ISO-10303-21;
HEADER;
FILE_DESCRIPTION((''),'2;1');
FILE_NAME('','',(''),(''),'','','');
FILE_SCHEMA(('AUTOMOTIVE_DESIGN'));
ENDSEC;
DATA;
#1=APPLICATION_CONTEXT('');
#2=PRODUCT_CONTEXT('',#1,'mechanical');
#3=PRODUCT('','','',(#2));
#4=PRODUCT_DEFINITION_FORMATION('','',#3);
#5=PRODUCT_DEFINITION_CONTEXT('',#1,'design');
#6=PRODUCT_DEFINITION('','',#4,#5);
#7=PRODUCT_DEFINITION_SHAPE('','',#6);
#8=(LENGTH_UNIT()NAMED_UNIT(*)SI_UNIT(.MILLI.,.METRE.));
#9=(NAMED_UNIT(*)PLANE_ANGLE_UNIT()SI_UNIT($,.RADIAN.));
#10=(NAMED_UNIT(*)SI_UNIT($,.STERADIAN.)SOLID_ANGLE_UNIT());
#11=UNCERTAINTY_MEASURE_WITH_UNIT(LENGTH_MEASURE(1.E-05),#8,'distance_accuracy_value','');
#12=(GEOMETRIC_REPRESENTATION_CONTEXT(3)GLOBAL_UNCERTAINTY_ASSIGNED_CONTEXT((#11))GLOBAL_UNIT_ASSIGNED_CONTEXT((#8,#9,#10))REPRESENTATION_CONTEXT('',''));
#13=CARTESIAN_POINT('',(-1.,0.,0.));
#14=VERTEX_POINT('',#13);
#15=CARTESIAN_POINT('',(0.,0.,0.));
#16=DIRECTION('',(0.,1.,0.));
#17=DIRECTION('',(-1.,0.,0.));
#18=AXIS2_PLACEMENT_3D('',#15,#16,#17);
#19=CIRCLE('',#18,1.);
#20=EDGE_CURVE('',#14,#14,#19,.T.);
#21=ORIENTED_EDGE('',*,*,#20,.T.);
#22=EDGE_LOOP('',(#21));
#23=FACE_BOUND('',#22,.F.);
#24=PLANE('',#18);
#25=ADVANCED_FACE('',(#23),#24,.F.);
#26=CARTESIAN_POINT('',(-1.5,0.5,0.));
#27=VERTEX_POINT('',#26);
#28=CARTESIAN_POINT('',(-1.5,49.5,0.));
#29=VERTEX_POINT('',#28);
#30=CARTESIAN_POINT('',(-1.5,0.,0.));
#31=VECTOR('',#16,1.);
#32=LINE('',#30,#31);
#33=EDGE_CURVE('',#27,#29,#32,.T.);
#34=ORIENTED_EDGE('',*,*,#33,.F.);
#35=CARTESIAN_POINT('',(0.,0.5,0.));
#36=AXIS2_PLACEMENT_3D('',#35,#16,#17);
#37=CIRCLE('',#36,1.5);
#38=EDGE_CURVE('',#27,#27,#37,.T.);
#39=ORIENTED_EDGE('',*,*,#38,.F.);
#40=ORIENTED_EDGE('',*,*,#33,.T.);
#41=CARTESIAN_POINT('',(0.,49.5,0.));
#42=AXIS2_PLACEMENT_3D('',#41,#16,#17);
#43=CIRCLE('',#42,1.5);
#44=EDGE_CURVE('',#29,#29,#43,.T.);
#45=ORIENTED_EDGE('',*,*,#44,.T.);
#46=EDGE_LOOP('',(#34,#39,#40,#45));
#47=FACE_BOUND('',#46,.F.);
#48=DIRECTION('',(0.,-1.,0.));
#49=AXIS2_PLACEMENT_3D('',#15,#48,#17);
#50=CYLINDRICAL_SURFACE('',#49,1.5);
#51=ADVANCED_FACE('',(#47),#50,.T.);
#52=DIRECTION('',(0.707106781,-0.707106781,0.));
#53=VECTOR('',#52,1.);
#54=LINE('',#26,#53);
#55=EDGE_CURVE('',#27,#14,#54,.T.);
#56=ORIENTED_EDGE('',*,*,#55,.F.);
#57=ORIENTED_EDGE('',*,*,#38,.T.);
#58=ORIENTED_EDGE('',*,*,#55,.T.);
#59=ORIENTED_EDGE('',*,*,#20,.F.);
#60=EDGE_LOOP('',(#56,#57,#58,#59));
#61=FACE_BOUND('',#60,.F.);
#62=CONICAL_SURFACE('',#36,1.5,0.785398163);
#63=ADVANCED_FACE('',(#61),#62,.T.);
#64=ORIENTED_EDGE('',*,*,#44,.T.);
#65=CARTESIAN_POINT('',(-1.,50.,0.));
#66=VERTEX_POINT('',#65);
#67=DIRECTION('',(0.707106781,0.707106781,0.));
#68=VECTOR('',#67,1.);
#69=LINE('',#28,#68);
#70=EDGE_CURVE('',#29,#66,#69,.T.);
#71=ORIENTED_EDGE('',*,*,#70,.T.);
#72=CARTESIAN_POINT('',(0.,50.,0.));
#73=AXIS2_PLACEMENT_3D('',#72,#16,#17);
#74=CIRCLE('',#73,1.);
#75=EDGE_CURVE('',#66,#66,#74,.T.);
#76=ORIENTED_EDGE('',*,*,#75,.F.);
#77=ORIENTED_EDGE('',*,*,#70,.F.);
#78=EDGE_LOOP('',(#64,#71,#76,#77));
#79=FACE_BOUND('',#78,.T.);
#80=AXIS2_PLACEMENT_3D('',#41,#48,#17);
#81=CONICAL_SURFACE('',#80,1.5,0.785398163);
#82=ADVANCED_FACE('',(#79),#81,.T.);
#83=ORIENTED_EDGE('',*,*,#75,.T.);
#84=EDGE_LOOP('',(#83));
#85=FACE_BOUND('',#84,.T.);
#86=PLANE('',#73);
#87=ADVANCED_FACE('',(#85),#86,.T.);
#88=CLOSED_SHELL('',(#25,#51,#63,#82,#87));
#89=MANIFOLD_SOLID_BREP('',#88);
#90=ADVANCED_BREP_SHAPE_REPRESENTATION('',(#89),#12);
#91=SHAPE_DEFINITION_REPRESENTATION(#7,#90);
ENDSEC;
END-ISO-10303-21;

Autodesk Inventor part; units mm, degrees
ref_plane "YZ Plane" through (0, 0, 0) normal (1, 0, 0) x (0, 1, 0)
ref_plane "XZ Plane" through (0, 0, 0) normal (0, 1, 0) x (-1, 0, 0)
ref_plane "XY Plane" through (0, 0, 0) normal (0, 0, 1) x (1, 0, 0)
sketch "Sketch1" plane through (0, 0, 0) normal (0, 1, 0) x (-1, 0, 0)
  circle A0 centre (0, 0) radius 1.5
  dimension "d0" = 3
extrude "Extrusion1" add sketch "Sketch1" along normal blind 50
chamfer "Chamfer1" distance 0.5 angle 45 2 edges at (1.5, 0, 0) (1.5, 50, 0)
properties part number "3mm Shaft50"
